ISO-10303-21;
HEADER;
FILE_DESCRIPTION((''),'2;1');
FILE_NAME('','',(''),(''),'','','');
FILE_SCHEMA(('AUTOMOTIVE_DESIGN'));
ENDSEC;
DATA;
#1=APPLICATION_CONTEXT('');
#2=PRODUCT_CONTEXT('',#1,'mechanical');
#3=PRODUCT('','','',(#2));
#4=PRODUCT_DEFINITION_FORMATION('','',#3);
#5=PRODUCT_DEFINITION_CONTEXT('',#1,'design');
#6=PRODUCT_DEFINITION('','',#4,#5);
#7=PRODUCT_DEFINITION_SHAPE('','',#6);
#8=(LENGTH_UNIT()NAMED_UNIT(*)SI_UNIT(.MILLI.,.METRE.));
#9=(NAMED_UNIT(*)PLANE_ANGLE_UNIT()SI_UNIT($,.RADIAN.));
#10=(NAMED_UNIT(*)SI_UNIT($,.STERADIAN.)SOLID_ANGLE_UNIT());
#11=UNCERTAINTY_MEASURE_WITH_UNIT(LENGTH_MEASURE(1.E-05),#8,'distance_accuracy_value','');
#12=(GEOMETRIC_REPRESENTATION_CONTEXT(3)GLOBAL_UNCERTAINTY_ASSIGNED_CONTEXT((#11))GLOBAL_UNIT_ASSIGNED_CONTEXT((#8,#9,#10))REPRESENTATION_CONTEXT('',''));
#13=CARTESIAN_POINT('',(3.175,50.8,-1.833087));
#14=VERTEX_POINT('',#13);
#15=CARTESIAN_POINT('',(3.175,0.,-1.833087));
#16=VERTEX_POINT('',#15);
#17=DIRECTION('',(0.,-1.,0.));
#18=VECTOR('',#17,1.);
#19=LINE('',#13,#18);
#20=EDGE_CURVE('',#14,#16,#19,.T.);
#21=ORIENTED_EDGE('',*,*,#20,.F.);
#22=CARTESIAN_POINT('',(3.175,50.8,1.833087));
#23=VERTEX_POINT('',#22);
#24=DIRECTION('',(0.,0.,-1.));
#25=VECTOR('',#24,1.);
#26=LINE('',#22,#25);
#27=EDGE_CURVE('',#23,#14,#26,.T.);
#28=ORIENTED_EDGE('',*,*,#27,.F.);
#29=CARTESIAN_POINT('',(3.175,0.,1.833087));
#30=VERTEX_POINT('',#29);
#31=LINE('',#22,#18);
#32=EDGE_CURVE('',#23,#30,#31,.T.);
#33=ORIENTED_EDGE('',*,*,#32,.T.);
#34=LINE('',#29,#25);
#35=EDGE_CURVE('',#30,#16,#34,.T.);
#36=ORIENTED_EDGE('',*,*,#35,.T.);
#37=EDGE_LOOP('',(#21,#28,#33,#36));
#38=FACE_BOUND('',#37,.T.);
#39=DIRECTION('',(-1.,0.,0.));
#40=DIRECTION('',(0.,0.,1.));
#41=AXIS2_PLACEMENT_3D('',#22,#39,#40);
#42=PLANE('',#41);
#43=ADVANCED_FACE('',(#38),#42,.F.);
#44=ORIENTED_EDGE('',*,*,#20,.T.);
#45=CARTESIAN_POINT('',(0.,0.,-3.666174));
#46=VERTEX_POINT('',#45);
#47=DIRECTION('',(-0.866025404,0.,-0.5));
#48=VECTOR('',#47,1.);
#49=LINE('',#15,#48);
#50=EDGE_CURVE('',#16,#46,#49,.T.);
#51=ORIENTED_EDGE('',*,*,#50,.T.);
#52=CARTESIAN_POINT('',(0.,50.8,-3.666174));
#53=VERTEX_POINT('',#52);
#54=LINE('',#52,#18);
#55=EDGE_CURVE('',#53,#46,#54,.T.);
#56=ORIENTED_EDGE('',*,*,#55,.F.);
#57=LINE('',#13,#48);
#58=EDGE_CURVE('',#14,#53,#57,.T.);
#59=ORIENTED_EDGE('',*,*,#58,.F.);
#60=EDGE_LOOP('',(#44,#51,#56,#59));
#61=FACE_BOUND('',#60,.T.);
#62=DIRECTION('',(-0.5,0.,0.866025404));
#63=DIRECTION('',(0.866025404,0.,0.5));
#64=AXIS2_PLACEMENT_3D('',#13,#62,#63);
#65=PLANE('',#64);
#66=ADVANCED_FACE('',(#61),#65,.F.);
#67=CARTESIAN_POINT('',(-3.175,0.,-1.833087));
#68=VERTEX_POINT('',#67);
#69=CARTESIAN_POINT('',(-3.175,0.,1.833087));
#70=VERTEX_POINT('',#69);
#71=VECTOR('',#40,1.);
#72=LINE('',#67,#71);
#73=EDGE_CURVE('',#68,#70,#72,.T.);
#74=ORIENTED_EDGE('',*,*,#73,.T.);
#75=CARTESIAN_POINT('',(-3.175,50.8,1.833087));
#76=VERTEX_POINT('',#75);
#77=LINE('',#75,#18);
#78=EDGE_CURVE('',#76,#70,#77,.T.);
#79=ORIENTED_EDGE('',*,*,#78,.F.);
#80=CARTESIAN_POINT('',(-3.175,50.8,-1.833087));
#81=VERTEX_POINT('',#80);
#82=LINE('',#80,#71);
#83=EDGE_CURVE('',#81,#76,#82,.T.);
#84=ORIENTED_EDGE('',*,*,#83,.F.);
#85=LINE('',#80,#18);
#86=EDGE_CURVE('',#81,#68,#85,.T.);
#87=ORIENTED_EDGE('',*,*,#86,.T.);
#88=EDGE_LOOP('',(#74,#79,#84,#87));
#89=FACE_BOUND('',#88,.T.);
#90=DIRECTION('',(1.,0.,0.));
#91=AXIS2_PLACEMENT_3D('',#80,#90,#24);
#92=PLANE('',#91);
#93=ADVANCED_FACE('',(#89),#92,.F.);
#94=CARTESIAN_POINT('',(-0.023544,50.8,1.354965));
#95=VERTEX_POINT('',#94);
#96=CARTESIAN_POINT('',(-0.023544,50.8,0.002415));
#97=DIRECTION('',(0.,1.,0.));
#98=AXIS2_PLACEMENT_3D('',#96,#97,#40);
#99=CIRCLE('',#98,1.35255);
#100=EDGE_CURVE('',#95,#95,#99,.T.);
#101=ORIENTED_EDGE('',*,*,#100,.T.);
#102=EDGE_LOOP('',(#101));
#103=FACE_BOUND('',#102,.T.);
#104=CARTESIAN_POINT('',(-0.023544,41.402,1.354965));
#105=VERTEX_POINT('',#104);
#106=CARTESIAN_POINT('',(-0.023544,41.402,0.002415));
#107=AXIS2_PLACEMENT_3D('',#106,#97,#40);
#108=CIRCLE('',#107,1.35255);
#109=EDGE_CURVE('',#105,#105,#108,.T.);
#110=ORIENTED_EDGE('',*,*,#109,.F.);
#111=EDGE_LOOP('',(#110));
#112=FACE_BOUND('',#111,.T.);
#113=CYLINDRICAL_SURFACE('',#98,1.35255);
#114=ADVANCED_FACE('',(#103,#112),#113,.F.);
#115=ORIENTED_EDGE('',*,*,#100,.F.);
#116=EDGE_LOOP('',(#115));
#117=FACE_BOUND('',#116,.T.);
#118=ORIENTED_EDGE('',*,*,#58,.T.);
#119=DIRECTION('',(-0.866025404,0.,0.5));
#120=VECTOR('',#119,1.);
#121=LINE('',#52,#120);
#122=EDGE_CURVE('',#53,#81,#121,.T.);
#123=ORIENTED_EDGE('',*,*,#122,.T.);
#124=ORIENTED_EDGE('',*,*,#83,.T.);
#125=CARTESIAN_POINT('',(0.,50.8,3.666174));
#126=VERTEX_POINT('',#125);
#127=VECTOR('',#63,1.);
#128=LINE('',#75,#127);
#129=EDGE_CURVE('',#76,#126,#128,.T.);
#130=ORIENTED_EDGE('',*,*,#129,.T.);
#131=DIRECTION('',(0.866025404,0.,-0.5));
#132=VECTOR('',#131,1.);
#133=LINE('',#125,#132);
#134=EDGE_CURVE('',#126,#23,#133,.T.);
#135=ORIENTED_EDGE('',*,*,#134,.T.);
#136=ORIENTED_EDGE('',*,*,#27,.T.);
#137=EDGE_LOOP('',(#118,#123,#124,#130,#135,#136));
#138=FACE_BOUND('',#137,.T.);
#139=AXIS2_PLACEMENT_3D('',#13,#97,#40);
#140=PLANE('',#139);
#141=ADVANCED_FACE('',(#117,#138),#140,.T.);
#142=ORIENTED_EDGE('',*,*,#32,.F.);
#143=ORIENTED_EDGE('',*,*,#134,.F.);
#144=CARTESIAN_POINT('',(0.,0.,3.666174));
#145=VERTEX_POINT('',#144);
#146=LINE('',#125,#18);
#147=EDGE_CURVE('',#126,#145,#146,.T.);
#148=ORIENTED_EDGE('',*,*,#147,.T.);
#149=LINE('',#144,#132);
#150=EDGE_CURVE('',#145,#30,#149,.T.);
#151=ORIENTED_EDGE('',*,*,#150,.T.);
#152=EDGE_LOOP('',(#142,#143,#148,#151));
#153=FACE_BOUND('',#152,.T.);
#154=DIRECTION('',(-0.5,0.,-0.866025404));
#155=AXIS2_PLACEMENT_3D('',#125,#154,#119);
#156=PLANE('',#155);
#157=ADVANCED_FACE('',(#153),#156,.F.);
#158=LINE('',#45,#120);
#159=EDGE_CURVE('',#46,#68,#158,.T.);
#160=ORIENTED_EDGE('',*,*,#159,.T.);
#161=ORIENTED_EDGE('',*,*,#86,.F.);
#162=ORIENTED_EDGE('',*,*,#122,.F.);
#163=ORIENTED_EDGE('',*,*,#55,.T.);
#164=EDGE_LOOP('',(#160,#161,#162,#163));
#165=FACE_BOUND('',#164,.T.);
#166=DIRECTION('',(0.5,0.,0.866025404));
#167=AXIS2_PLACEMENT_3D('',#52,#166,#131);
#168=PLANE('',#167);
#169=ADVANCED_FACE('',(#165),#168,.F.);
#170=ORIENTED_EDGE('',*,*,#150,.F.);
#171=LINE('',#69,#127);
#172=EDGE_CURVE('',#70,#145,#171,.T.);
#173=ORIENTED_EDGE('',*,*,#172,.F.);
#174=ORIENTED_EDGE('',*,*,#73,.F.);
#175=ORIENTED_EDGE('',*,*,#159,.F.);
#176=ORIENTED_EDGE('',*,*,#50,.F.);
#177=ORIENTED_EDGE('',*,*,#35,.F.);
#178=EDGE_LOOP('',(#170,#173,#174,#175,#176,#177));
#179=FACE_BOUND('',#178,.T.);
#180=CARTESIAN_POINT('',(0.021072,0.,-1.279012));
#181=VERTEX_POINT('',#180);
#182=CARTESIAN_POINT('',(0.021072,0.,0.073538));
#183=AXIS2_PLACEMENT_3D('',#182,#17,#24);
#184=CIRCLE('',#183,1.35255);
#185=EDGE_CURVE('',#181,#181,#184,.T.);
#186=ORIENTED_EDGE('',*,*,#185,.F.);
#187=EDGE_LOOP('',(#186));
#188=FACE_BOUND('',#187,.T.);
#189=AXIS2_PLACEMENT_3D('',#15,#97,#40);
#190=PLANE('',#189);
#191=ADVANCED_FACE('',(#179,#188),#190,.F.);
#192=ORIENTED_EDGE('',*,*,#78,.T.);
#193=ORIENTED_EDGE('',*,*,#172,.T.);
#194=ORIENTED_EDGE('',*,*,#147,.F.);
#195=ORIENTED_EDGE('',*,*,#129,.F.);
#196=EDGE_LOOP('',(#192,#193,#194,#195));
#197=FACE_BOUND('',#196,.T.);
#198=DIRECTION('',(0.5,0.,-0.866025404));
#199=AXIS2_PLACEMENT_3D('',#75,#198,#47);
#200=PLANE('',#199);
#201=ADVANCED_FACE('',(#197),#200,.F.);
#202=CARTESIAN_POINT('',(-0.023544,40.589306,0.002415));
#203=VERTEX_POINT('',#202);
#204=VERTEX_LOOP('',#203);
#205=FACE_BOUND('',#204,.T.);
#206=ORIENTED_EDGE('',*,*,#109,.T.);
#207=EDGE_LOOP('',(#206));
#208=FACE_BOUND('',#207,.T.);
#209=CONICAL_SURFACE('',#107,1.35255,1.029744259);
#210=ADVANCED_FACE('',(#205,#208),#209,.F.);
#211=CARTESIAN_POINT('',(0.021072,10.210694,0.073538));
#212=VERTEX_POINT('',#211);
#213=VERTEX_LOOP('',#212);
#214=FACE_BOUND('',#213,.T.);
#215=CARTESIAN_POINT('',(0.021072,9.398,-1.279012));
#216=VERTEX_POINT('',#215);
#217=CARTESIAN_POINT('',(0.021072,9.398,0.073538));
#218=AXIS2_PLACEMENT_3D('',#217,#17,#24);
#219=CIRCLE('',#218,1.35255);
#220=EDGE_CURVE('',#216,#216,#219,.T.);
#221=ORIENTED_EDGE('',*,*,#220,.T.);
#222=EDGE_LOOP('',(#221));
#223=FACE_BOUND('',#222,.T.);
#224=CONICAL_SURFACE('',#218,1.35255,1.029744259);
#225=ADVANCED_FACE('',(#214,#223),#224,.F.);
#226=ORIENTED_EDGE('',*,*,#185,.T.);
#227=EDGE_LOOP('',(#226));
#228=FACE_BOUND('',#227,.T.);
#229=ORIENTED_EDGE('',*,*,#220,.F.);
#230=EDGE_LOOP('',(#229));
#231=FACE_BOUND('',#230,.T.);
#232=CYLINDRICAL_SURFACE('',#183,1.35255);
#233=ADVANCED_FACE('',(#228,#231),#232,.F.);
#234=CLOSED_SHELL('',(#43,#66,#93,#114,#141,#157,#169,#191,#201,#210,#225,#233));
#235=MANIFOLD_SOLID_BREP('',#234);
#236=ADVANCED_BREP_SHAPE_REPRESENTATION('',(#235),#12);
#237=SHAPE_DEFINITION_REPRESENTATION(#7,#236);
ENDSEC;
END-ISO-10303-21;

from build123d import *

# Parameters (mm, degrees)
BOSS_EXTRUDE1_DEPTH       = 50.8
F_6_32_TAPPED_HOLE1_D     = 2.7051
F_6_32_TAPPED_HOLE1_DEPTH = 9.398
F_6_32_TAPPED_HOLE1_TIP   = 0.81269403
F_6_32_TAPPED_HOLE2_D     = 2.7051
F_6_32_TAPPED_HOLE2_DEPTH = 9.398
F_6_32_TAPPED_HOLE2_TIP   = 0.81269403


with BuildPart() as part:
    # Sketch1 → Boss-Extrude1 (new body)
    with BuildSketch(Plane(origin=(0, 0, 0), x_dir=(1, 0, 0), z_dir=(0, 1, 0))):
        Polygon((3.175, 1.833087105), (0, 3.666174209), (-3.175, 1.833087105), (-3.175, -1.833087105), (0, -3.666174209), (3.175, -1.833087105), align=None)
    extrude(amount=BOSS_EXTRUDE1_DEPTH)

    # #6-32 Tapped Hole1
    with Locations(Plane(origin=(0, 50.8, 0), x_dir=(-1, 0, 0), z_dir=(0, 1, 0))):
        with Locations((0.023544291, 0.002414528)):
            Hole(F_6_32_TAPPED_HOLE1_D / 2, depth=F_6_32_TAPPED_HOLE1_DEPTH)
            with Locations((0, 0, -(F_6_32_TAPPED_HOLE1_DEPTH + F_6_32_TAPPED_HOLE1_TIP / 2))):  # 118° drill point
                Cone(0, F_6_32_TAPPED_HOLE1_D / 2, F_6_32_TAPPED_HOLE1_TIP, mode=Mode.SUBTRACT)

    # #6-32 Tapped Hole2
    with Locations(Plane.XZ):
        with Locations((0.021072049, 0.073538109)):
            Hole(F_6_32_TAPPED_HOLE2_D / 2, depth=F_6_32_TAPPED_HOLE2_DEPTH)
            with Locations((0, 0, -(F_6_32_TAPPED_HOLE2_DEPTH + F_6_32_TAPPED_HOLE2_TIP / 2))):  # 118° drill point
                Cone(0, F_6_32_TAPPED_HOLE2_D / 2, F_6_32_TAPPED_HOLE2_TIP, mode=Mode.SUBTRACT)


solid = part.part
